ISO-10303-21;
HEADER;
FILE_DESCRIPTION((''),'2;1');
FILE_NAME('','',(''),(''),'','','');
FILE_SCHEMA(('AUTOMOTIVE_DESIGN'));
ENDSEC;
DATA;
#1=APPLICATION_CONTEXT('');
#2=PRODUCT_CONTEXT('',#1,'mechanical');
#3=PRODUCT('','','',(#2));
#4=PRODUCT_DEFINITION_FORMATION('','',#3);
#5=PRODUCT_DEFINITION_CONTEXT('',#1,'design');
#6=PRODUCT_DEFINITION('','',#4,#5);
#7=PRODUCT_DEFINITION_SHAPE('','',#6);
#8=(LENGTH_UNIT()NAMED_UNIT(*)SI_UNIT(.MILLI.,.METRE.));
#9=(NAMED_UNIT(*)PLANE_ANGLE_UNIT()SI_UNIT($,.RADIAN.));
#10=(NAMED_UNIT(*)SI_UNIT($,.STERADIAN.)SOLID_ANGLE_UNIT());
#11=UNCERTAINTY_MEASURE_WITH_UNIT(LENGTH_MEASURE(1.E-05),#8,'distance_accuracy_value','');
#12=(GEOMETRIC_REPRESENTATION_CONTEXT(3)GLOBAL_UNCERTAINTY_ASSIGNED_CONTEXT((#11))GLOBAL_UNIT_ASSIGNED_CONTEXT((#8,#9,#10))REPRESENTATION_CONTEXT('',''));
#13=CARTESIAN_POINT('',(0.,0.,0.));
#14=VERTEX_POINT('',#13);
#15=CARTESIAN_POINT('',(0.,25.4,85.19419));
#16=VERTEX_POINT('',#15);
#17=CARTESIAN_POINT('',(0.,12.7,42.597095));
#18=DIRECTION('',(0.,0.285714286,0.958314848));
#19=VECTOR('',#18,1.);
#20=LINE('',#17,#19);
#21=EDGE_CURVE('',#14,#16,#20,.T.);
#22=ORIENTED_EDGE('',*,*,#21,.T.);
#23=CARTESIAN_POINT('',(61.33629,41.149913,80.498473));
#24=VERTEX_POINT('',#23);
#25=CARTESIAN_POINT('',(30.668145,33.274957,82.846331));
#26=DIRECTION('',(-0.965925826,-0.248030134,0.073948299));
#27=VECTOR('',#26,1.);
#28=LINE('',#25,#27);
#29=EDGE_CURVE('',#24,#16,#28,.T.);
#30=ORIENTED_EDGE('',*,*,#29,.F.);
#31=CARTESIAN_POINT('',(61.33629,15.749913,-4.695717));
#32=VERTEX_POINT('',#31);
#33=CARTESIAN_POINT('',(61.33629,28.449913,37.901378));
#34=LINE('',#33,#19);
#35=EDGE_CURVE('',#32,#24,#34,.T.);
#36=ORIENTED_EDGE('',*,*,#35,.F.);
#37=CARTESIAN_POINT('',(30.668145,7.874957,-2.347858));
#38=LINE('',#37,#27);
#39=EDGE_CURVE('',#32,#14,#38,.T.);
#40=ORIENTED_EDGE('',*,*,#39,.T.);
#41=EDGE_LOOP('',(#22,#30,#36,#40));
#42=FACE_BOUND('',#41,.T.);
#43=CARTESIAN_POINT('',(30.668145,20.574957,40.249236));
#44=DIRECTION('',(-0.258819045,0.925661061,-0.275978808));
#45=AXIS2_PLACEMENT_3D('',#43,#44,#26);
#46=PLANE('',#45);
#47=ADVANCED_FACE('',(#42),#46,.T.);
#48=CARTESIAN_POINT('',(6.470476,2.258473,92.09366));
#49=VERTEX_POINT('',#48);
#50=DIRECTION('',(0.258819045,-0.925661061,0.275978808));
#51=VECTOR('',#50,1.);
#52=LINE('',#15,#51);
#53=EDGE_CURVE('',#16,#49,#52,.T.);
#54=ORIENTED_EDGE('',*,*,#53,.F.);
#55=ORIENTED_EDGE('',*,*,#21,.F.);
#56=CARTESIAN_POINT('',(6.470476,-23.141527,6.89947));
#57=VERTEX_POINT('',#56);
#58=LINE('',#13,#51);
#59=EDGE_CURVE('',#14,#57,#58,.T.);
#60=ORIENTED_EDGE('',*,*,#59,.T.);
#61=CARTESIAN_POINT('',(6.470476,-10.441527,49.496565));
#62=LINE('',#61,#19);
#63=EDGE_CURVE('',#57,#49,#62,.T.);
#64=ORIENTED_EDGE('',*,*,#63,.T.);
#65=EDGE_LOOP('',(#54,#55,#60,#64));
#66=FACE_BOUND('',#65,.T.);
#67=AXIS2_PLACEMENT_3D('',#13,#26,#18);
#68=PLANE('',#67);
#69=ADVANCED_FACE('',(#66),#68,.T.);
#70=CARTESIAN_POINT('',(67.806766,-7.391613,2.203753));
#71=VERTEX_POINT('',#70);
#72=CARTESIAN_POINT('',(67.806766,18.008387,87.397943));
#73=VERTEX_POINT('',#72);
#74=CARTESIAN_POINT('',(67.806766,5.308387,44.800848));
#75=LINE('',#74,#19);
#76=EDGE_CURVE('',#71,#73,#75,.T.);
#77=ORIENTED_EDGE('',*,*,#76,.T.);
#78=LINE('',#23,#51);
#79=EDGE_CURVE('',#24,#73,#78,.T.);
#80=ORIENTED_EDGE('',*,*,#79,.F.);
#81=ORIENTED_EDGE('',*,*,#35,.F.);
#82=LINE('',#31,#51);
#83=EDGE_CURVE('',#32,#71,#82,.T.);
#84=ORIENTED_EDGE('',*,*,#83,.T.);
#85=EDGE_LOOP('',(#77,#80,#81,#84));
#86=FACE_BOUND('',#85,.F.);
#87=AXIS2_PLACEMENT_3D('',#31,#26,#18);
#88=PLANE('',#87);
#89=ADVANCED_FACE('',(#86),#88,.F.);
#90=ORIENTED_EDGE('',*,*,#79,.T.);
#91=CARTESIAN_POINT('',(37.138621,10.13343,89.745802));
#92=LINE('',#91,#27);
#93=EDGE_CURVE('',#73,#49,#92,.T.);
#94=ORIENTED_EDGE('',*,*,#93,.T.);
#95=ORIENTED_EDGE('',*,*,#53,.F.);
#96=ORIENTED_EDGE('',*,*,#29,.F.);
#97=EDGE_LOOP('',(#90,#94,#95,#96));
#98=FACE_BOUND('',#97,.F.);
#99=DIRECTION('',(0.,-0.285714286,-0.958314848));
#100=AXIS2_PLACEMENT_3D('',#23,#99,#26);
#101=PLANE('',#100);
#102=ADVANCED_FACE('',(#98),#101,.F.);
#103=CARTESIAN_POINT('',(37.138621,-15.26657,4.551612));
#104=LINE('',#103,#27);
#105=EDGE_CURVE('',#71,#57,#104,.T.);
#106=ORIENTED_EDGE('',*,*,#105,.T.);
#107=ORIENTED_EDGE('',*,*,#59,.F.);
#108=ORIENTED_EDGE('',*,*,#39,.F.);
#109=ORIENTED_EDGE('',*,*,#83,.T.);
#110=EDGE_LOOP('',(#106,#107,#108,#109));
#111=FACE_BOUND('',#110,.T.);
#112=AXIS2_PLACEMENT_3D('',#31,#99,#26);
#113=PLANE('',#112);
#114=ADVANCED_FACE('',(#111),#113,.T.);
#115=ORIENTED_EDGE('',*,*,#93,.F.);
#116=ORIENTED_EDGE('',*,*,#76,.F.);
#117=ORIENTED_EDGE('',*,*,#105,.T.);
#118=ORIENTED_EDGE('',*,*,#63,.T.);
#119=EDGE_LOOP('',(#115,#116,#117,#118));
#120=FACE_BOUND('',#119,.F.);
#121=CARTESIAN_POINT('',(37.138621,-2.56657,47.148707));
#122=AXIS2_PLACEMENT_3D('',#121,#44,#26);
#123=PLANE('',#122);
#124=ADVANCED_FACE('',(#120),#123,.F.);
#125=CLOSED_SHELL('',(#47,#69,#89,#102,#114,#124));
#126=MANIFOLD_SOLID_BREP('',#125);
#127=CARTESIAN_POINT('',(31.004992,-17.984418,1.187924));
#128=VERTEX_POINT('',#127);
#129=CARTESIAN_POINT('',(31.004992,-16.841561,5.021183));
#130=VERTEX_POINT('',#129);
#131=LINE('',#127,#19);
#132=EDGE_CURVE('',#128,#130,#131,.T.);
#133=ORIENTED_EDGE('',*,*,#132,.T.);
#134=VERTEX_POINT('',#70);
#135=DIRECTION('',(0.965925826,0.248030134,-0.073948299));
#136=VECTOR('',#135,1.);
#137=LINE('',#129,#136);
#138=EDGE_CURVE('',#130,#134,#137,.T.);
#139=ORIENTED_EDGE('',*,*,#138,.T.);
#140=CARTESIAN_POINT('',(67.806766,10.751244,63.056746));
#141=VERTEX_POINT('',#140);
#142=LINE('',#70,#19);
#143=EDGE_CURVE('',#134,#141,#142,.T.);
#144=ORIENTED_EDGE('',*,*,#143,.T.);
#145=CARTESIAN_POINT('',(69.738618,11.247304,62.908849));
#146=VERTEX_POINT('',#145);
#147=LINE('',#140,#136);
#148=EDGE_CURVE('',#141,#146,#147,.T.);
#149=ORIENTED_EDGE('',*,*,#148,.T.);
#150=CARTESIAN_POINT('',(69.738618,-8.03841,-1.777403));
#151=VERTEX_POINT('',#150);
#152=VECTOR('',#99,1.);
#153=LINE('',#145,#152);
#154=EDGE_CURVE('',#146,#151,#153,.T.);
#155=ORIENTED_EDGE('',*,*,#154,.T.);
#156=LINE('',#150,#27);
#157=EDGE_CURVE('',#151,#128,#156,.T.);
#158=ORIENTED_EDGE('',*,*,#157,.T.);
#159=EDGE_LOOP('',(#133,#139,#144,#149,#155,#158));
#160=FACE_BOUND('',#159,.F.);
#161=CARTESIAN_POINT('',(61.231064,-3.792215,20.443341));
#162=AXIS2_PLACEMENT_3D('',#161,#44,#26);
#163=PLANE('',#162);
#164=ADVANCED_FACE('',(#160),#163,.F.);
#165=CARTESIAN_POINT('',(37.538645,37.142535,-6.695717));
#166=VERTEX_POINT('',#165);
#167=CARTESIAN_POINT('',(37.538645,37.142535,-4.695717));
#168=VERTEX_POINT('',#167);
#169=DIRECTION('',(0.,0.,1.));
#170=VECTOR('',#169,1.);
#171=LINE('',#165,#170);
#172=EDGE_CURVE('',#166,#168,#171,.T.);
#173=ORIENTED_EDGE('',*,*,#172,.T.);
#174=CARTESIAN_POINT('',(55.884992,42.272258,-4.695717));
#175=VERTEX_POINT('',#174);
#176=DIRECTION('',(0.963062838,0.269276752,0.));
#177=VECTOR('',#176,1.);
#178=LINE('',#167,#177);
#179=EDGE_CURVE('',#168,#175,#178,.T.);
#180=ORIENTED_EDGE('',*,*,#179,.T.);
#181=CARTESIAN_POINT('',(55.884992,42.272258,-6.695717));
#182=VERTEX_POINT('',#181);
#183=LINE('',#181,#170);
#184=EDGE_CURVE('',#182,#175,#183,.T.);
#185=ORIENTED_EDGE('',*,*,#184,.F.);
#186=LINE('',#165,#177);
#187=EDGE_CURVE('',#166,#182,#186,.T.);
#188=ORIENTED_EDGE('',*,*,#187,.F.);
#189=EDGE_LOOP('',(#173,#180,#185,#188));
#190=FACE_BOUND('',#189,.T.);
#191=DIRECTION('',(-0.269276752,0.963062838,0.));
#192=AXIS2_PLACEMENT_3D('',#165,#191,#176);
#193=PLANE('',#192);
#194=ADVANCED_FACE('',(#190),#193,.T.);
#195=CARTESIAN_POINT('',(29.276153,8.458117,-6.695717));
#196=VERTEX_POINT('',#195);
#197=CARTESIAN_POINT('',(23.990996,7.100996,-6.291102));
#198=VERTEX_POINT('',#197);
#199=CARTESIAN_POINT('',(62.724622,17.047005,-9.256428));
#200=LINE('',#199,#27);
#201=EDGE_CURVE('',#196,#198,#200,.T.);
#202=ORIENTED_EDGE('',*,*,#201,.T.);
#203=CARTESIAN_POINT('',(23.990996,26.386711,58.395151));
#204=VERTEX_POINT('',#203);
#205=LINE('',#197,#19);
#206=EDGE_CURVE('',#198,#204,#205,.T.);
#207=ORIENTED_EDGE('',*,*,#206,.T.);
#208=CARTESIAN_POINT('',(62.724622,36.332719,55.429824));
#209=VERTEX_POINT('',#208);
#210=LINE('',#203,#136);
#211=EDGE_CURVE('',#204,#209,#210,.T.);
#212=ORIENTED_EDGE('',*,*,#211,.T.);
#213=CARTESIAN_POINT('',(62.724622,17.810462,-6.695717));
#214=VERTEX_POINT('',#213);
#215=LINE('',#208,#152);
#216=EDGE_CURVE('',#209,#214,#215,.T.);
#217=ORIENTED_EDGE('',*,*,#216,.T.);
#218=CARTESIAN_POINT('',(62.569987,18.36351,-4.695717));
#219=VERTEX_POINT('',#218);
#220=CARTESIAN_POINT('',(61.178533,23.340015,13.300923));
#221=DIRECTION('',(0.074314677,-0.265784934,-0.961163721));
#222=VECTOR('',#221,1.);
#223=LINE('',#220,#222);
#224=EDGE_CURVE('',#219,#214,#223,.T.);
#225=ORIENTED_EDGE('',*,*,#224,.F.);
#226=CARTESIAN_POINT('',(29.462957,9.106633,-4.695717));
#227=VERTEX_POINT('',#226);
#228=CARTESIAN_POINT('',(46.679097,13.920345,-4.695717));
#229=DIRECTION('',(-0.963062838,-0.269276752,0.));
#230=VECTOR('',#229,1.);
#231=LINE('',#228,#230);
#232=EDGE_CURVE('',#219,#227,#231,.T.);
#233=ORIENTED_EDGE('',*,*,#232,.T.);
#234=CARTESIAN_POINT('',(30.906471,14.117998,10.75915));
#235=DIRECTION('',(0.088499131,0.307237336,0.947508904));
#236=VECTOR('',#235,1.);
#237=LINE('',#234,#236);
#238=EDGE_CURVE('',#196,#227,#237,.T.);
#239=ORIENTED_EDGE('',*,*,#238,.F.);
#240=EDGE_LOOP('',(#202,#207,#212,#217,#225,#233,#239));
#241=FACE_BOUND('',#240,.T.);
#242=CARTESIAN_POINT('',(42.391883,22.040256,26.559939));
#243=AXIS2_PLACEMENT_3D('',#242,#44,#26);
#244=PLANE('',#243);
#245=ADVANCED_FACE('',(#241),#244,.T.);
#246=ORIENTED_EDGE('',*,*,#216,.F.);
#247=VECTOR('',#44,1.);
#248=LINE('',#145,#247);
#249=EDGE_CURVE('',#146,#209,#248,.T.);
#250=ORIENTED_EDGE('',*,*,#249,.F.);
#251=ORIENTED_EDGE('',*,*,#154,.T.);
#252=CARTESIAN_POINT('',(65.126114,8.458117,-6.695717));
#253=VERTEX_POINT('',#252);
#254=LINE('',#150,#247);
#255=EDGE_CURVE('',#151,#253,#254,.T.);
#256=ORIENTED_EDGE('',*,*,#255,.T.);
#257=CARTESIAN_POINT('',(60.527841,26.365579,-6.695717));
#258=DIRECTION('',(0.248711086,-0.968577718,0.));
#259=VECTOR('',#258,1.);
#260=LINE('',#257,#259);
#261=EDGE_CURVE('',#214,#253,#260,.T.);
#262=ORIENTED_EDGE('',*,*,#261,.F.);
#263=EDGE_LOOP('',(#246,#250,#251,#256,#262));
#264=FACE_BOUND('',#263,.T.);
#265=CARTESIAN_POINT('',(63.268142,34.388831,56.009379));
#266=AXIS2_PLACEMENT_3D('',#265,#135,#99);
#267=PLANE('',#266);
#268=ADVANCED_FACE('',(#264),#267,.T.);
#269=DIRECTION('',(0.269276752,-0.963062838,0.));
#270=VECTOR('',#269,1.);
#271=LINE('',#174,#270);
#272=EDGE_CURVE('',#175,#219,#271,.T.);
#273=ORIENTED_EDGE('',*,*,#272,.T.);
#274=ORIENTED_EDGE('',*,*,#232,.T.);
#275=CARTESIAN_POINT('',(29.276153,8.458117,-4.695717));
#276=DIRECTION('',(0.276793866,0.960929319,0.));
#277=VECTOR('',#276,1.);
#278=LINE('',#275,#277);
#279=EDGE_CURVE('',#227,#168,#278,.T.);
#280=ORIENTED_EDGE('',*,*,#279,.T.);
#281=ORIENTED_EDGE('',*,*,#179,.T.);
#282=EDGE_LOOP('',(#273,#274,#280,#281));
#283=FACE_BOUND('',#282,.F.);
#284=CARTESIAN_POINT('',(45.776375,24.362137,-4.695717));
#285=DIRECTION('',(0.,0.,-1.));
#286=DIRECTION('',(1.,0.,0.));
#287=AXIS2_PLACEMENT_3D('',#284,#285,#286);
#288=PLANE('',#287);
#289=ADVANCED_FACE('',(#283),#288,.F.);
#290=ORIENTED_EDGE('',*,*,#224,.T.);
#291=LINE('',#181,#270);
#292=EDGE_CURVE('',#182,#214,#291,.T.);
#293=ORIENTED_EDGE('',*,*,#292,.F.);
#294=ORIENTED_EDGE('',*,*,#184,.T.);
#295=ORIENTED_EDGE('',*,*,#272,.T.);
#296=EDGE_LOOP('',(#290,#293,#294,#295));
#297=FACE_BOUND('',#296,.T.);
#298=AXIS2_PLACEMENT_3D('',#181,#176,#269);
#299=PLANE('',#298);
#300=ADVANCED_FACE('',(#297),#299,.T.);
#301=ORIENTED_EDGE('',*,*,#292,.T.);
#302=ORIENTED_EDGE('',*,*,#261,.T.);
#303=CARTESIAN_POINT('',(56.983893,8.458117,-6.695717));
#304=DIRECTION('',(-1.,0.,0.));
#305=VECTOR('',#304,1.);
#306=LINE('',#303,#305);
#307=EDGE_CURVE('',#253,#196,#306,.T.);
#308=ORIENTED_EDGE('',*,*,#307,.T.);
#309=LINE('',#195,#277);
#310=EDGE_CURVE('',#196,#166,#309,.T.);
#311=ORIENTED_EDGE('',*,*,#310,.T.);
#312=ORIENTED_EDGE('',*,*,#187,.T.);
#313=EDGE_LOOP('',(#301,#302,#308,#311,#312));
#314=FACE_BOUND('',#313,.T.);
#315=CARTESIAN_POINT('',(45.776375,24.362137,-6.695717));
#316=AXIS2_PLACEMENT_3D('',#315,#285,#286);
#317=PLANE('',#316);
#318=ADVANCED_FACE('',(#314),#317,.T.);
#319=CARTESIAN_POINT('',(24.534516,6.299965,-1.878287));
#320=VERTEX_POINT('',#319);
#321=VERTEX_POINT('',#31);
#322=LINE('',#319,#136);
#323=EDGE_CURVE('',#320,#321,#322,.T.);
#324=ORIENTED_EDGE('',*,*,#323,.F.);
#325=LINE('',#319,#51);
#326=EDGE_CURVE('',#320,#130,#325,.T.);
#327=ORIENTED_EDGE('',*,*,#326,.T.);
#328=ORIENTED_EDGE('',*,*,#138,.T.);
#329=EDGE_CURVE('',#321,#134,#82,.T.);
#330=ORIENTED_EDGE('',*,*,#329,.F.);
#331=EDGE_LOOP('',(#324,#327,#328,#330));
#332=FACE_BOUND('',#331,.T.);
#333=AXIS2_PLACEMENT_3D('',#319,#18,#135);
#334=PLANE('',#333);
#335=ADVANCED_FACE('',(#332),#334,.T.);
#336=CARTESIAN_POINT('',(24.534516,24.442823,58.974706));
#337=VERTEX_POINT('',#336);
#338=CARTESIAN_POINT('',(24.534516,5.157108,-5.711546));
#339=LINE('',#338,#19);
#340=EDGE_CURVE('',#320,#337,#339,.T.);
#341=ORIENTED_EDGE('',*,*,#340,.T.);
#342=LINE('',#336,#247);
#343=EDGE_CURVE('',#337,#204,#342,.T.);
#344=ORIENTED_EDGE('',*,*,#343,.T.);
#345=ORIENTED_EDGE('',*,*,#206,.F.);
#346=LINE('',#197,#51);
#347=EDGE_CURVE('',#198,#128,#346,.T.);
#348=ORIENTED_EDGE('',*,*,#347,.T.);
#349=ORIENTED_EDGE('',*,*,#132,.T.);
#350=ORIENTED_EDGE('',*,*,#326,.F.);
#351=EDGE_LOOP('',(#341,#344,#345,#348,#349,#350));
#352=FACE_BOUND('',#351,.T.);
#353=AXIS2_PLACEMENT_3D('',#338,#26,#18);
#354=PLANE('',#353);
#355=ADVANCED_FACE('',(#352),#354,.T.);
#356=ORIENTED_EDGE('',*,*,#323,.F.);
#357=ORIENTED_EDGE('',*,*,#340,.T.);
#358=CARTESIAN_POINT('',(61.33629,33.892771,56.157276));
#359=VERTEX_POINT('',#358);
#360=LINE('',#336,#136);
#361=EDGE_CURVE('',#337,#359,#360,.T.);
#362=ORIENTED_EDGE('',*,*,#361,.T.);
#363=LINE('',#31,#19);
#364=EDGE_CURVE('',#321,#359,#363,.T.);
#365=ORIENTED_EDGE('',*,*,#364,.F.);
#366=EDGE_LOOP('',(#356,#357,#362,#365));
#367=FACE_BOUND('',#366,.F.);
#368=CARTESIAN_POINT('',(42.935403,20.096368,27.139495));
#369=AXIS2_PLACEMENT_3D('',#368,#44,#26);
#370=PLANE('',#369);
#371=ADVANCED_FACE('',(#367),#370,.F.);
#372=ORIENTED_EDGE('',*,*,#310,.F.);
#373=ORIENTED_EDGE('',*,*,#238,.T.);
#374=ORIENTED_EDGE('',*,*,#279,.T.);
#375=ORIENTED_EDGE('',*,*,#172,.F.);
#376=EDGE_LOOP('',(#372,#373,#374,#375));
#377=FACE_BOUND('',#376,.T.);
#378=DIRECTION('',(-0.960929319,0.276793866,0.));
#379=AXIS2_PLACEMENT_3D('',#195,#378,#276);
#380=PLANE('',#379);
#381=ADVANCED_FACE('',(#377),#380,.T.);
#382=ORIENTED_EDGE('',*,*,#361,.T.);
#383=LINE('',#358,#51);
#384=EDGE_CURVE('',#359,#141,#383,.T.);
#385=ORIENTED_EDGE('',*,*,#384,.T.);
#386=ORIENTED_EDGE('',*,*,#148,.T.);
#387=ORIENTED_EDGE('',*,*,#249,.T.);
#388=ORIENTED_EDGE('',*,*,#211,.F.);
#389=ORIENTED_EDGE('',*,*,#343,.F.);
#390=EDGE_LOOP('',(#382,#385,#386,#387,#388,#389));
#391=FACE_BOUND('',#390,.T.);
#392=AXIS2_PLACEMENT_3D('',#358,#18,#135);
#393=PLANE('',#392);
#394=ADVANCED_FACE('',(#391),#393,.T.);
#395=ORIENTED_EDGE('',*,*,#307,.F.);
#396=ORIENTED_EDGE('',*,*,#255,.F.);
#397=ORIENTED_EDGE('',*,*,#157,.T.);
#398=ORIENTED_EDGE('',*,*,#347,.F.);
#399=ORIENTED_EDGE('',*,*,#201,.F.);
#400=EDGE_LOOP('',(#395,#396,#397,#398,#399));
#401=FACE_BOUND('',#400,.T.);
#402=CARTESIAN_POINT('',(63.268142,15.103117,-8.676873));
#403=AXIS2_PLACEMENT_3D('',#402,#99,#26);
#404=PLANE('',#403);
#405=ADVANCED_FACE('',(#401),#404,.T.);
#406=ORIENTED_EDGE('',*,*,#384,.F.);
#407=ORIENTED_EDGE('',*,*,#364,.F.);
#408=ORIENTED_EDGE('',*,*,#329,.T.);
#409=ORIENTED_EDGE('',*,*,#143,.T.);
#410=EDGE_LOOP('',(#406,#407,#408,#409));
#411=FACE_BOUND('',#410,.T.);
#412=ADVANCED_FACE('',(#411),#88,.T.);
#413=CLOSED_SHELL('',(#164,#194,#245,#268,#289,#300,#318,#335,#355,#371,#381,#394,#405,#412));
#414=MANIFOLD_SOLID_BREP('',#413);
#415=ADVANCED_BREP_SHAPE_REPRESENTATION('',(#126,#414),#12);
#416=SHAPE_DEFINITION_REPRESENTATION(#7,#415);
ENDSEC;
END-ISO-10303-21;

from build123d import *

# Parameters (mm, degrees)
F2_W      = 63.5
F2_H      = 88.9
F3_DEPTH  = 25
F5_W      = 38.1
F5_H      = 63.5
F6_DEPTH  = 2.1
F7_DEPTH  = 25
F10_DEPTH = 25
F12_DEPTH = 2


with BuildPart() as f3:
    # F2 (on face) → F3 (new body)
    with BuildSketch(Plane(origin=(0, 0, 0), x_dir=(-0.9659258263, -0.2480301337, 0.0739482986), z_dir=(-0.2588190451, 0.9256610609, -0.2759788075))):
        with Locations((-31.75, 44.45)):
            Rectangle(F2_W, F2_H)
    extrude(amount=-F3_DEPTH)


with BuildPart() as f6:
    # F5 (on face) → F6 (new body)
    with BuildSketch(Plane(origin=(0, 0, 0), x_dir=(-0.9659258263, -0.2480301337, 0.0739482986), z_dir=(-0.2588190451, 0.9256610609, -0.2759788075))):
        with Locations((-44.45, 31.75)):
            Rectangle(F5_W, F5_H)
        Polygon((-63.5, 0), (-63.5, 63.5), (-65.5, 63.5), (-65.5, -4), (-25.4, -4), (-25.4, 0), align=None)
    extrude(amount=F6_DEPTH)

    # F5 (on face) → F7 (join)
    with BuildSketch(Plane(origin=(0, 0, 0), x_dir=(-0.9659258263, -0.2480301337, 0.0739482986), z_dir=(-0.2588190451, 0.9256610609, -0.2759788075))):
        Polygon((-63.5, 0), (-63.5, 63.5), (-65.5, 63.5), (-65.5, -4), (-25.4, -4), (-25.4, 0), align=None)
    extrude(amount=-F7_DEPTH)

    # F9 (on offset) → F10 (cut)
    with BuildSketch(Plane.XY.offset(-6.6957169611)):
        Polygon((62.7246216272, 17.0470048449), (69.7386177495, -8.038409906), (62.7246216272, 36.3327191306), (23.990995993, 26.3867107677), (23.990995993, 7.100996482), align=None)
        Polygon((23.990995993, 7.100996482), (31.0049921153, -17.9844182688), (69.7386177495, -8.038409906), (62.7246216272, 17.0470048449), align=None)
    extrude(amount=-F10_DEPTH, mode=Mode.SUBTRACT)

    # F11 (on face) → F12 (join)
    with BuildSketch(Plane(origin=(0, 0, -6.6957169611), x_dir=(1, 0, 0), z_dir=(0, 0, -1))):
        Polygon((55.8849921191, -42.2722575994), (62.7246216272, -17.8104615044), (29.2761528743, -8.4581174248), (37.5386450479, -37.1425354683), align=None)
    extrude(amount=-F12_DEPTH)


solid = Compound([f3.part, f6.part])
